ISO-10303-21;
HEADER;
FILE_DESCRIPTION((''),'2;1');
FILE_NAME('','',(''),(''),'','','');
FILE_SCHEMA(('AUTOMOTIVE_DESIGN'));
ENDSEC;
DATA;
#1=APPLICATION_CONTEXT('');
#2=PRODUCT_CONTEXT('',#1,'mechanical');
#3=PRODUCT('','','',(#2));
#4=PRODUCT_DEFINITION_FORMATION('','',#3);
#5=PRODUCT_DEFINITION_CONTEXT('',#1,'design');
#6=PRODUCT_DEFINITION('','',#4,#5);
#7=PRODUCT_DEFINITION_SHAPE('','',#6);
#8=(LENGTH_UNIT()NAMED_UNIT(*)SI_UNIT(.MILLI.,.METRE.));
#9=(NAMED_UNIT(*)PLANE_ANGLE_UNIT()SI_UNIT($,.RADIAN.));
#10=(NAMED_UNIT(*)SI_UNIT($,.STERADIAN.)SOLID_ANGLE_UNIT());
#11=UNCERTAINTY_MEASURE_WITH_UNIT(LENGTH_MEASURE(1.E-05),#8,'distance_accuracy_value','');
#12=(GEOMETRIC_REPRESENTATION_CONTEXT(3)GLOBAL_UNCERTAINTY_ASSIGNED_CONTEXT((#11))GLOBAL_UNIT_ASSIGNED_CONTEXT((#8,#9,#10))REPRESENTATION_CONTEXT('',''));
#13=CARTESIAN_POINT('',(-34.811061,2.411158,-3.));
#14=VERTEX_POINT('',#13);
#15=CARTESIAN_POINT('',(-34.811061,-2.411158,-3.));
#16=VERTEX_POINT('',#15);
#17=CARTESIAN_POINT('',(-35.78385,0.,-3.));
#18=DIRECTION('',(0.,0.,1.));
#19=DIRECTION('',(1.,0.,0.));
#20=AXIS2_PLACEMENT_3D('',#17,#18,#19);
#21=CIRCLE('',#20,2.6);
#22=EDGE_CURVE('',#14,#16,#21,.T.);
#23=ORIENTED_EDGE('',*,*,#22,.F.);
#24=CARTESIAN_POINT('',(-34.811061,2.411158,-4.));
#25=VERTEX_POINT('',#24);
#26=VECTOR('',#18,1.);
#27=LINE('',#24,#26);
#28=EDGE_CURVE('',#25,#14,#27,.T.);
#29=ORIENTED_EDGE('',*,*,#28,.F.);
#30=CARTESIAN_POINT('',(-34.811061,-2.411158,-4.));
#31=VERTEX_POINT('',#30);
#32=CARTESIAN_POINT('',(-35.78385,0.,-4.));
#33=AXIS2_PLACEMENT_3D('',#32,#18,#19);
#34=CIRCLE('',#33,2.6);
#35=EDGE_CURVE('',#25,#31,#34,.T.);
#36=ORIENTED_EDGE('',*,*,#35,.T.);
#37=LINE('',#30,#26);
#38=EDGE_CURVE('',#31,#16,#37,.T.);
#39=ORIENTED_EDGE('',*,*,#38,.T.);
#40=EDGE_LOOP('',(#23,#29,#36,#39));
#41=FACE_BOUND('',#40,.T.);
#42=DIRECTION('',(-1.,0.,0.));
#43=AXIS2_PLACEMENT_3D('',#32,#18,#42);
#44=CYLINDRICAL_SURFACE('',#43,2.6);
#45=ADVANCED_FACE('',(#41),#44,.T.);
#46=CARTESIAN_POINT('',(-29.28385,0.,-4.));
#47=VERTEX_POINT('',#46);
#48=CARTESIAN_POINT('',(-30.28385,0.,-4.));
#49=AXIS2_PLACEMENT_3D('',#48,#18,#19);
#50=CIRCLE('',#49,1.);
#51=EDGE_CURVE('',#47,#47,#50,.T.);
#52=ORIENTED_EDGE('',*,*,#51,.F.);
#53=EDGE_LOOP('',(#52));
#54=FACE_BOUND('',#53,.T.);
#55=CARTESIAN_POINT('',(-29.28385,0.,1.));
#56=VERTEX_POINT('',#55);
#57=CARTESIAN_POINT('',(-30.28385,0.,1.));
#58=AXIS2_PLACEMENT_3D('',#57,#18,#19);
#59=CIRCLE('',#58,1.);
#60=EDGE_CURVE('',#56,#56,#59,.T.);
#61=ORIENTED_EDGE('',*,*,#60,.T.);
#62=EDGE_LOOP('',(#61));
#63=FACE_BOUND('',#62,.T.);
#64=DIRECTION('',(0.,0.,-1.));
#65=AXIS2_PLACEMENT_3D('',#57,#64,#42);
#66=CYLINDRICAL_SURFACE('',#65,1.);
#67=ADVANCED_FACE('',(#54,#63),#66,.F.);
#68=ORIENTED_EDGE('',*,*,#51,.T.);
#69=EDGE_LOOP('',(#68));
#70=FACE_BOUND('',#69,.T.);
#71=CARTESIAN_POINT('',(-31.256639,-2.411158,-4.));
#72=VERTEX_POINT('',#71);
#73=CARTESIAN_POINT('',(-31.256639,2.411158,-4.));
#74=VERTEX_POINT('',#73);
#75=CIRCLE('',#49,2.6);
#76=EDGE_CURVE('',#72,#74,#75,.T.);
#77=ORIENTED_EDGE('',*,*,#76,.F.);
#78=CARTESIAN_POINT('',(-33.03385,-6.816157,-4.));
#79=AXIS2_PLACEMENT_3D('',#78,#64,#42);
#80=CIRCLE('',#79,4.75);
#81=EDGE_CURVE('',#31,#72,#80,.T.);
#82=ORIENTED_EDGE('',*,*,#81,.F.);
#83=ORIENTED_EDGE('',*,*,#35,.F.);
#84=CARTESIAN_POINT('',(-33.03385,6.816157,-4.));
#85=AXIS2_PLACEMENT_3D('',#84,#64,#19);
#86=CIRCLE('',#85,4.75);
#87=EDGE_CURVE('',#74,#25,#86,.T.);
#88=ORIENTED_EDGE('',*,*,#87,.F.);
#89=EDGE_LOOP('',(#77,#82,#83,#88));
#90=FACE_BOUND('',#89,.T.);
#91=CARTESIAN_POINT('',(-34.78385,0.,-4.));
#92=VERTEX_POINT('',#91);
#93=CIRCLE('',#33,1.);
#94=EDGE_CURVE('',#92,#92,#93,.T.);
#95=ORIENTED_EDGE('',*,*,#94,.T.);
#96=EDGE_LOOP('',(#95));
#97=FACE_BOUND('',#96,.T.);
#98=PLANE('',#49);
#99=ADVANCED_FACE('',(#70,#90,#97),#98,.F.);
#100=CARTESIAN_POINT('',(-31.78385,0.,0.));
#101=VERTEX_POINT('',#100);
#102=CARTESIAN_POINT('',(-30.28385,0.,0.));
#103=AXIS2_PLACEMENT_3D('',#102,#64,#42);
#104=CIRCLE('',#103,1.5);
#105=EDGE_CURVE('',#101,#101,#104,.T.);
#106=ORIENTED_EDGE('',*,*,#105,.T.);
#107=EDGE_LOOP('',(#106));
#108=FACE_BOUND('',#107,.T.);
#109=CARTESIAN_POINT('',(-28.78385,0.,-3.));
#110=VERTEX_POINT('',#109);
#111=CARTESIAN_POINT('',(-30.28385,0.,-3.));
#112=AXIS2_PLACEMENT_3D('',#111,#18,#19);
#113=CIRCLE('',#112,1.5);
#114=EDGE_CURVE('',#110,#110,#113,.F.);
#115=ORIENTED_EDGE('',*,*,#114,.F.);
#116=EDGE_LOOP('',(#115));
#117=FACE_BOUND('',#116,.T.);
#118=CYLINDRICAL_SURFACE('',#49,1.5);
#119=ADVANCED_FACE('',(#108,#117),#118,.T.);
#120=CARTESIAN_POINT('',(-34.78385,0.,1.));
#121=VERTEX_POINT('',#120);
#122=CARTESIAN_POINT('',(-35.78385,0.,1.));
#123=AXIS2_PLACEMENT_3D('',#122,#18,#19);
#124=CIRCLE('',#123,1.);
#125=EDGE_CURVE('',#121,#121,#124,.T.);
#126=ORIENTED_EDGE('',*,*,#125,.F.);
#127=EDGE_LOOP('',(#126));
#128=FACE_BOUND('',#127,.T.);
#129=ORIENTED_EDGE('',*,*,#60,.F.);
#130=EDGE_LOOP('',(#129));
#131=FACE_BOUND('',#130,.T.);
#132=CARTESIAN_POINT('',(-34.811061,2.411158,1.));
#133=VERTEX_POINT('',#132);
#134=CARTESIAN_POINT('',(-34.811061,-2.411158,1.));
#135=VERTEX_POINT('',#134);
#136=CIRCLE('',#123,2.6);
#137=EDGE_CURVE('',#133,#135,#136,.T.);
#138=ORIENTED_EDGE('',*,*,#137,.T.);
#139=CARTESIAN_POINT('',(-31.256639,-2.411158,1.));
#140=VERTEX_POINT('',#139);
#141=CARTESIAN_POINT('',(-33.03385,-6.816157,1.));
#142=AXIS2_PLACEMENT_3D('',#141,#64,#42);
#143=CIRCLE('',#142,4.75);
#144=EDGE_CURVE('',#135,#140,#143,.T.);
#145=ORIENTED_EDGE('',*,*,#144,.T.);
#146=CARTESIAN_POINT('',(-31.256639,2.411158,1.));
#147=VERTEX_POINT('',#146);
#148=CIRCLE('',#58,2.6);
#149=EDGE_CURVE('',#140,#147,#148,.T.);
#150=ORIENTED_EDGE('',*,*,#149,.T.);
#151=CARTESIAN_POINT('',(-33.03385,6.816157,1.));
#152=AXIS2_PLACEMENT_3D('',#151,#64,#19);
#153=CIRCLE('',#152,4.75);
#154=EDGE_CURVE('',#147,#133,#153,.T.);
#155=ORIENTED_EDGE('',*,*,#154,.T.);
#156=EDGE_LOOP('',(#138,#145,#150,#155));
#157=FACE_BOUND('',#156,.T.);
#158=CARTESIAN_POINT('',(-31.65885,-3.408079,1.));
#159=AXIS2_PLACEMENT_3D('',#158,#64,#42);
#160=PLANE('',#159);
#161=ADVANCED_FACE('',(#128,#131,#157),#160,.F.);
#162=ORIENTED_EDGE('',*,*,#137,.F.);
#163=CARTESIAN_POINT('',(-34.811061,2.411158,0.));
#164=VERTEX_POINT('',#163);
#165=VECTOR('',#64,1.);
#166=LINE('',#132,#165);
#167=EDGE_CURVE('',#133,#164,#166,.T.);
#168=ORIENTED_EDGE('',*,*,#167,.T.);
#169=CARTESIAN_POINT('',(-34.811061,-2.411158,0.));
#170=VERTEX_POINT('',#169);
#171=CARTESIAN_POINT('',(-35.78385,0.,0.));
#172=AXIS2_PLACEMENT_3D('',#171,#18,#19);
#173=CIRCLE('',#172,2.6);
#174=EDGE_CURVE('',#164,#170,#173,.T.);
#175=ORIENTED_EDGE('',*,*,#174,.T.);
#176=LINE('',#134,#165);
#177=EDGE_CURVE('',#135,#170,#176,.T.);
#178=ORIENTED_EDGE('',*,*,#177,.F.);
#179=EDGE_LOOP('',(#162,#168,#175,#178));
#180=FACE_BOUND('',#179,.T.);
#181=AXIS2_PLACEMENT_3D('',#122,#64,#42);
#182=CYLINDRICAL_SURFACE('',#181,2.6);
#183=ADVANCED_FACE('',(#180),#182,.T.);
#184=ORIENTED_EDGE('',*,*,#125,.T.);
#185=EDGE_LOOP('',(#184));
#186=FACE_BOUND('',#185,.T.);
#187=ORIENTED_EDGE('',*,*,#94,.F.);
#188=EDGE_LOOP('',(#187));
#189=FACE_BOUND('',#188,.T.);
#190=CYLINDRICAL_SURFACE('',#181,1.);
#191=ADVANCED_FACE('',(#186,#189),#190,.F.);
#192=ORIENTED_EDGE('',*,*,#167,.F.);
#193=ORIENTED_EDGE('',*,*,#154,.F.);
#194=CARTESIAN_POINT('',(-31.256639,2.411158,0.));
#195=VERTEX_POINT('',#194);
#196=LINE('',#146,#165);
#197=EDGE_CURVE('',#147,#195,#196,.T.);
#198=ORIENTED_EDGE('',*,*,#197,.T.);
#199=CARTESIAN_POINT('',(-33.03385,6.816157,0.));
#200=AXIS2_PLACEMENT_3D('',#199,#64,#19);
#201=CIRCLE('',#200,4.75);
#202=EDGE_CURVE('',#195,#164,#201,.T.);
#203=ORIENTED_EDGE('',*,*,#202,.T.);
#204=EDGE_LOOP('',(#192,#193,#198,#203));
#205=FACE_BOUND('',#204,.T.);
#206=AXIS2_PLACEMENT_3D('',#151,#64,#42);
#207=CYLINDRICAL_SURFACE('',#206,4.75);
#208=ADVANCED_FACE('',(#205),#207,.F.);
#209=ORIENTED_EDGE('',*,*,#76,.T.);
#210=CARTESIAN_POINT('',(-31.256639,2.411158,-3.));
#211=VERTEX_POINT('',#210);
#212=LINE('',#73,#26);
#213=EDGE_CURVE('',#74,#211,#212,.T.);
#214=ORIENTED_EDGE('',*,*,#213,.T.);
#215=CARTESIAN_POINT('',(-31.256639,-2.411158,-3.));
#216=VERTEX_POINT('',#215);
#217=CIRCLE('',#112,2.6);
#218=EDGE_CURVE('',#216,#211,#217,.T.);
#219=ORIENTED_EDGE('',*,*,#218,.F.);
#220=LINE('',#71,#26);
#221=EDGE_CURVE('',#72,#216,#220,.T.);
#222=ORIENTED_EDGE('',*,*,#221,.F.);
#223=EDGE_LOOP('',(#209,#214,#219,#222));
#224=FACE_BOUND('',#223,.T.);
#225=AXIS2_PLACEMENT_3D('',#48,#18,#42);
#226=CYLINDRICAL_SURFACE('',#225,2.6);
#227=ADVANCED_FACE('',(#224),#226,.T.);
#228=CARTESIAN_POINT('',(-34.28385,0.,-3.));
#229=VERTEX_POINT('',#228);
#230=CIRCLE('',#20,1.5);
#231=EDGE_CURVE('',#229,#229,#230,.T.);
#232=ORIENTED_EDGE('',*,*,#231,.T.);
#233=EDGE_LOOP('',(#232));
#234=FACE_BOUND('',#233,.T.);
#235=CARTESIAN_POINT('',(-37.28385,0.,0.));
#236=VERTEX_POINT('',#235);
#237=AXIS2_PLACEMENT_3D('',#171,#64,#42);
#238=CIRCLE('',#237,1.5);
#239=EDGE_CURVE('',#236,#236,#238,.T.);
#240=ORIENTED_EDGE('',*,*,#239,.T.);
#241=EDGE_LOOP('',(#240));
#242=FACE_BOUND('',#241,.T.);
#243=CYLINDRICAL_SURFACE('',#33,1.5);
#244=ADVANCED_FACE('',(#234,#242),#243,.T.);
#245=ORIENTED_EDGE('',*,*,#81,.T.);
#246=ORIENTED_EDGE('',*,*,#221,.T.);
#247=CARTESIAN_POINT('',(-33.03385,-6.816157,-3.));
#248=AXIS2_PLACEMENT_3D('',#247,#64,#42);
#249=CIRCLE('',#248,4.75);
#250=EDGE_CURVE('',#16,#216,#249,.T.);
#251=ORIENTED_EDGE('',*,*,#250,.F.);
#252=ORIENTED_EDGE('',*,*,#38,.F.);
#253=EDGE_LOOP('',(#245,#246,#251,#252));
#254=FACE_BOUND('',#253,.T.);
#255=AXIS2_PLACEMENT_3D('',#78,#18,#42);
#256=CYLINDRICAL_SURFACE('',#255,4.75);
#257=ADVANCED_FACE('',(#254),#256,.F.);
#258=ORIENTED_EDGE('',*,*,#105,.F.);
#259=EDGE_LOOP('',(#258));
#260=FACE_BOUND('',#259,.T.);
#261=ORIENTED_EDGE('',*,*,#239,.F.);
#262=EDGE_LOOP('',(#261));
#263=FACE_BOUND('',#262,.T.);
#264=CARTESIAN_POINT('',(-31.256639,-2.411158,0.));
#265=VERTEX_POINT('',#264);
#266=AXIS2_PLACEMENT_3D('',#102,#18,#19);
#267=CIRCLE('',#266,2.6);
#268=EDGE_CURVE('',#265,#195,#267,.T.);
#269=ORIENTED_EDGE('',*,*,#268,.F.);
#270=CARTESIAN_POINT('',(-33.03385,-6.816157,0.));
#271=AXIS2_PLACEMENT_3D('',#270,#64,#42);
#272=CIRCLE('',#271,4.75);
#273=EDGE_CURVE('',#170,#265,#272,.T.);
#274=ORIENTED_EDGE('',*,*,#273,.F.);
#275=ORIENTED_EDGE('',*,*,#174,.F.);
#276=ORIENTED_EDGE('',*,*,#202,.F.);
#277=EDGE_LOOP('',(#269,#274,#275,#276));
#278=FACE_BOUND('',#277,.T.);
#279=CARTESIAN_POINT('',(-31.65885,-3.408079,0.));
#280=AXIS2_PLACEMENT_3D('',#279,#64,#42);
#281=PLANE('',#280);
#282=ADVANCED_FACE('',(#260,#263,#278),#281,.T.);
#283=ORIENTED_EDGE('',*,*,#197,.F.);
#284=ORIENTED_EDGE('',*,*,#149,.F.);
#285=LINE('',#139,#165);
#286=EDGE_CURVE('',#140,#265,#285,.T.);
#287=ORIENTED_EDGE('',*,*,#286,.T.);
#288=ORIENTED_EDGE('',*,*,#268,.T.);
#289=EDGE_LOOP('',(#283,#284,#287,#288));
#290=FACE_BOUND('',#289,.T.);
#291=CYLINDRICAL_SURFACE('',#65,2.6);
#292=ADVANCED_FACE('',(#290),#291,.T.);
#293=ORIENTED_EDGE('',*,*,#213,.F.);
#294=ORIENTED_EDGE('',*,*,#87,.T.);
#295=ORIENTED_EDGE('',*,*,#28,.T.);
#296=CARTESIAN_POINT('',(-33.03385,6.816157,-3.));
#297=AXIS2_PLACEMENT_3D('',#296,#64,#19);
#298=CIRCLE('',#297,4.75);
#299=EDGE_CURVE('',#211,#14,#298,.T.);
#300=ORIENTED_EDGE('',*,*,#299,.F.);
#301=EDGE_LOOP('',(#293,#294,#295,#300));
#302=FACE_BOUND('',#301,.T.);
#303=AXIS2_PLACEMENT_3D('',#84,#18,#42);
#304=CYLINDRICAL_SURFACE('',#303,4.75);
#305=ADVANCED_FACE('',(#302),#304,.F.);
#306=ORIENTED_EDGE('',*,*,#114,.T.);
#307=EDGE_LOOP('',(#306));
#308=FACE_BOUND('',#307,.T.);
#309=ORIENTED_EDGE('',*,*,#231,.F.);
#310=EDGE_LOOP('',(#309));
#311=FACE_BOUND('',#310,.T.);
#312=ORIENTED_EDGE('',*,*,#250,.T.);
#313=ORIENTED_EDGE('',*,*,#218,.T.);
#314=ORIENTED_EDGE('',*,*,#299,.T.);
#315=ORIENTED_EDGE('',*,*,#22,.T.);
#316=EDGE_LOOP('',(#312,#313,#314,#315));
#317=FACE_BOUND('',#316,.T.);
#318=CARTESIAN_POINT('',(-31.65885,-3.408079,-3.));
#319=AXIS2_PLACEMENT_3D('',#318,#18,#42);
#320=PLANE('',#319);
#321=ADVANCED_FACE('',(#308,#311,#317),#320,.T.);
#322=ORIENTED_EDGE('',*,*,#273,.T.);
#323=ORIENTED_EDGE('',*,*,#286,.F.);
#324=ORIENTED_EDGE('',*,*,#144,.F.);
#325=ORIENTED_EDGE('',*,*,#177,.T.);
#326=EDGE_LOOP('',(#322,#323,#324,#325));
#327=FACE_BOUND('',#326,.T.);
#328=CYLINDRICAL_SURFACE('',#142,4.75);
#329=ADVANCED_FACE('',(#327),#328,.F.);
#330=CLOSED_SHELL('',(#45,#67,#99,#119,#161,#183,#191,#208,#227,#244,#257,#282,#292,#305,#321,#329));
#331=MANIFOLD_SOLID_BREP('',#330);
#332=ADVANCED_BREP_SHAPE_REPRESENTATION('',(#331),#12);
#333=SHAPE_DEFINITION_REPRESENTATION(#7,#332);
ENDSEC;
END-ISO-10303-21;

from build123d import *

# Parameters (mm, degrees)
SKETCH1_R           = 1
BOSS_EXTRUDE1_DEPTH = 1
BOSS_EXTRUDE2_START = -5
SKETCH2_R           = 1.5
SKETCH2_R_2         = 1
BOSS_EXTRUDE2_DEPTH = 5


with BuildPart() as part:
    # Sketch1 → Boss-Extrude1 (new body)
    with BuildSketch(Plane.XY):
        with BuildLine():
            ThreePointArc((-34.811060782, 2.411157676), (-38.383849898, 0), (-34.811060782, -2.411157676))
            ThreePointArc((-34.811060782, -2.411157676), (-33.033849898, -2.066157275), (-31.256639013, -2.411157676))
            ThreePointArc((-31.256639013, -2.411157676), (-27.683849898, 0), (-31.256639013, 2.411157676))
            ThreePointArc((-31.256639013, 2.411157676), (-33.033849898, 2.066157275), (-34.811060782, 2.411157676))
        make_face()
        with Locations((-35.783849898, 0)):
            Circle(SKETCH1_R, mode=Mode.SUBTRACT)
        with Locations((-30.283849898, 0)):
            Circle(SKETCH1_R, mode=Mode.SUBTRACT)
    extrude(amount=BOSS_EXTRUDE1_DEPTH)


with BuildPart() as body_2:
    # Mirror2: mirrored copy
    add(part.part.mirror(Plane(origin=(0, 0, -1.5), x_dir=(1, 0, 0), z_dir=(0, 0, -1))))


with BuildPart() as part_1:
    add(part.part)

    add(body_2.part)  # Boss-Extrude2 merges body 2
    # Sketch2 → Boss-Extrude2 (add)
    # profile 1 of 2: a face of its own
    with BuildSketch(Plane.XY.offset(1).offset(BOSS_EXTRUDE2_START)):
        with Locations((-30.283849898, 0)):
            Circle(SKETCH2_R)
        with Locations((-30.283849898, 0)):
            Circle(SKETCH2_R_2, mode=Mode.SUBTRACT)
    # profile 2 of 2: a face of its own
    with BuildSketch(Plane.XY.offset(1).offset(BOSS_EXTRUDE2_START)):
        with Locations((-35.783849898, 0)):
            Circle(SKETCH2_R)
        with Locations((-35.783849898, 0)):
            Circle(SKETCH2_R_2, mode=Mode.SUBTRACT)
    extrude(amount=BOSS_EXTRUDE2_DEPTH)


solid = part_1.part
